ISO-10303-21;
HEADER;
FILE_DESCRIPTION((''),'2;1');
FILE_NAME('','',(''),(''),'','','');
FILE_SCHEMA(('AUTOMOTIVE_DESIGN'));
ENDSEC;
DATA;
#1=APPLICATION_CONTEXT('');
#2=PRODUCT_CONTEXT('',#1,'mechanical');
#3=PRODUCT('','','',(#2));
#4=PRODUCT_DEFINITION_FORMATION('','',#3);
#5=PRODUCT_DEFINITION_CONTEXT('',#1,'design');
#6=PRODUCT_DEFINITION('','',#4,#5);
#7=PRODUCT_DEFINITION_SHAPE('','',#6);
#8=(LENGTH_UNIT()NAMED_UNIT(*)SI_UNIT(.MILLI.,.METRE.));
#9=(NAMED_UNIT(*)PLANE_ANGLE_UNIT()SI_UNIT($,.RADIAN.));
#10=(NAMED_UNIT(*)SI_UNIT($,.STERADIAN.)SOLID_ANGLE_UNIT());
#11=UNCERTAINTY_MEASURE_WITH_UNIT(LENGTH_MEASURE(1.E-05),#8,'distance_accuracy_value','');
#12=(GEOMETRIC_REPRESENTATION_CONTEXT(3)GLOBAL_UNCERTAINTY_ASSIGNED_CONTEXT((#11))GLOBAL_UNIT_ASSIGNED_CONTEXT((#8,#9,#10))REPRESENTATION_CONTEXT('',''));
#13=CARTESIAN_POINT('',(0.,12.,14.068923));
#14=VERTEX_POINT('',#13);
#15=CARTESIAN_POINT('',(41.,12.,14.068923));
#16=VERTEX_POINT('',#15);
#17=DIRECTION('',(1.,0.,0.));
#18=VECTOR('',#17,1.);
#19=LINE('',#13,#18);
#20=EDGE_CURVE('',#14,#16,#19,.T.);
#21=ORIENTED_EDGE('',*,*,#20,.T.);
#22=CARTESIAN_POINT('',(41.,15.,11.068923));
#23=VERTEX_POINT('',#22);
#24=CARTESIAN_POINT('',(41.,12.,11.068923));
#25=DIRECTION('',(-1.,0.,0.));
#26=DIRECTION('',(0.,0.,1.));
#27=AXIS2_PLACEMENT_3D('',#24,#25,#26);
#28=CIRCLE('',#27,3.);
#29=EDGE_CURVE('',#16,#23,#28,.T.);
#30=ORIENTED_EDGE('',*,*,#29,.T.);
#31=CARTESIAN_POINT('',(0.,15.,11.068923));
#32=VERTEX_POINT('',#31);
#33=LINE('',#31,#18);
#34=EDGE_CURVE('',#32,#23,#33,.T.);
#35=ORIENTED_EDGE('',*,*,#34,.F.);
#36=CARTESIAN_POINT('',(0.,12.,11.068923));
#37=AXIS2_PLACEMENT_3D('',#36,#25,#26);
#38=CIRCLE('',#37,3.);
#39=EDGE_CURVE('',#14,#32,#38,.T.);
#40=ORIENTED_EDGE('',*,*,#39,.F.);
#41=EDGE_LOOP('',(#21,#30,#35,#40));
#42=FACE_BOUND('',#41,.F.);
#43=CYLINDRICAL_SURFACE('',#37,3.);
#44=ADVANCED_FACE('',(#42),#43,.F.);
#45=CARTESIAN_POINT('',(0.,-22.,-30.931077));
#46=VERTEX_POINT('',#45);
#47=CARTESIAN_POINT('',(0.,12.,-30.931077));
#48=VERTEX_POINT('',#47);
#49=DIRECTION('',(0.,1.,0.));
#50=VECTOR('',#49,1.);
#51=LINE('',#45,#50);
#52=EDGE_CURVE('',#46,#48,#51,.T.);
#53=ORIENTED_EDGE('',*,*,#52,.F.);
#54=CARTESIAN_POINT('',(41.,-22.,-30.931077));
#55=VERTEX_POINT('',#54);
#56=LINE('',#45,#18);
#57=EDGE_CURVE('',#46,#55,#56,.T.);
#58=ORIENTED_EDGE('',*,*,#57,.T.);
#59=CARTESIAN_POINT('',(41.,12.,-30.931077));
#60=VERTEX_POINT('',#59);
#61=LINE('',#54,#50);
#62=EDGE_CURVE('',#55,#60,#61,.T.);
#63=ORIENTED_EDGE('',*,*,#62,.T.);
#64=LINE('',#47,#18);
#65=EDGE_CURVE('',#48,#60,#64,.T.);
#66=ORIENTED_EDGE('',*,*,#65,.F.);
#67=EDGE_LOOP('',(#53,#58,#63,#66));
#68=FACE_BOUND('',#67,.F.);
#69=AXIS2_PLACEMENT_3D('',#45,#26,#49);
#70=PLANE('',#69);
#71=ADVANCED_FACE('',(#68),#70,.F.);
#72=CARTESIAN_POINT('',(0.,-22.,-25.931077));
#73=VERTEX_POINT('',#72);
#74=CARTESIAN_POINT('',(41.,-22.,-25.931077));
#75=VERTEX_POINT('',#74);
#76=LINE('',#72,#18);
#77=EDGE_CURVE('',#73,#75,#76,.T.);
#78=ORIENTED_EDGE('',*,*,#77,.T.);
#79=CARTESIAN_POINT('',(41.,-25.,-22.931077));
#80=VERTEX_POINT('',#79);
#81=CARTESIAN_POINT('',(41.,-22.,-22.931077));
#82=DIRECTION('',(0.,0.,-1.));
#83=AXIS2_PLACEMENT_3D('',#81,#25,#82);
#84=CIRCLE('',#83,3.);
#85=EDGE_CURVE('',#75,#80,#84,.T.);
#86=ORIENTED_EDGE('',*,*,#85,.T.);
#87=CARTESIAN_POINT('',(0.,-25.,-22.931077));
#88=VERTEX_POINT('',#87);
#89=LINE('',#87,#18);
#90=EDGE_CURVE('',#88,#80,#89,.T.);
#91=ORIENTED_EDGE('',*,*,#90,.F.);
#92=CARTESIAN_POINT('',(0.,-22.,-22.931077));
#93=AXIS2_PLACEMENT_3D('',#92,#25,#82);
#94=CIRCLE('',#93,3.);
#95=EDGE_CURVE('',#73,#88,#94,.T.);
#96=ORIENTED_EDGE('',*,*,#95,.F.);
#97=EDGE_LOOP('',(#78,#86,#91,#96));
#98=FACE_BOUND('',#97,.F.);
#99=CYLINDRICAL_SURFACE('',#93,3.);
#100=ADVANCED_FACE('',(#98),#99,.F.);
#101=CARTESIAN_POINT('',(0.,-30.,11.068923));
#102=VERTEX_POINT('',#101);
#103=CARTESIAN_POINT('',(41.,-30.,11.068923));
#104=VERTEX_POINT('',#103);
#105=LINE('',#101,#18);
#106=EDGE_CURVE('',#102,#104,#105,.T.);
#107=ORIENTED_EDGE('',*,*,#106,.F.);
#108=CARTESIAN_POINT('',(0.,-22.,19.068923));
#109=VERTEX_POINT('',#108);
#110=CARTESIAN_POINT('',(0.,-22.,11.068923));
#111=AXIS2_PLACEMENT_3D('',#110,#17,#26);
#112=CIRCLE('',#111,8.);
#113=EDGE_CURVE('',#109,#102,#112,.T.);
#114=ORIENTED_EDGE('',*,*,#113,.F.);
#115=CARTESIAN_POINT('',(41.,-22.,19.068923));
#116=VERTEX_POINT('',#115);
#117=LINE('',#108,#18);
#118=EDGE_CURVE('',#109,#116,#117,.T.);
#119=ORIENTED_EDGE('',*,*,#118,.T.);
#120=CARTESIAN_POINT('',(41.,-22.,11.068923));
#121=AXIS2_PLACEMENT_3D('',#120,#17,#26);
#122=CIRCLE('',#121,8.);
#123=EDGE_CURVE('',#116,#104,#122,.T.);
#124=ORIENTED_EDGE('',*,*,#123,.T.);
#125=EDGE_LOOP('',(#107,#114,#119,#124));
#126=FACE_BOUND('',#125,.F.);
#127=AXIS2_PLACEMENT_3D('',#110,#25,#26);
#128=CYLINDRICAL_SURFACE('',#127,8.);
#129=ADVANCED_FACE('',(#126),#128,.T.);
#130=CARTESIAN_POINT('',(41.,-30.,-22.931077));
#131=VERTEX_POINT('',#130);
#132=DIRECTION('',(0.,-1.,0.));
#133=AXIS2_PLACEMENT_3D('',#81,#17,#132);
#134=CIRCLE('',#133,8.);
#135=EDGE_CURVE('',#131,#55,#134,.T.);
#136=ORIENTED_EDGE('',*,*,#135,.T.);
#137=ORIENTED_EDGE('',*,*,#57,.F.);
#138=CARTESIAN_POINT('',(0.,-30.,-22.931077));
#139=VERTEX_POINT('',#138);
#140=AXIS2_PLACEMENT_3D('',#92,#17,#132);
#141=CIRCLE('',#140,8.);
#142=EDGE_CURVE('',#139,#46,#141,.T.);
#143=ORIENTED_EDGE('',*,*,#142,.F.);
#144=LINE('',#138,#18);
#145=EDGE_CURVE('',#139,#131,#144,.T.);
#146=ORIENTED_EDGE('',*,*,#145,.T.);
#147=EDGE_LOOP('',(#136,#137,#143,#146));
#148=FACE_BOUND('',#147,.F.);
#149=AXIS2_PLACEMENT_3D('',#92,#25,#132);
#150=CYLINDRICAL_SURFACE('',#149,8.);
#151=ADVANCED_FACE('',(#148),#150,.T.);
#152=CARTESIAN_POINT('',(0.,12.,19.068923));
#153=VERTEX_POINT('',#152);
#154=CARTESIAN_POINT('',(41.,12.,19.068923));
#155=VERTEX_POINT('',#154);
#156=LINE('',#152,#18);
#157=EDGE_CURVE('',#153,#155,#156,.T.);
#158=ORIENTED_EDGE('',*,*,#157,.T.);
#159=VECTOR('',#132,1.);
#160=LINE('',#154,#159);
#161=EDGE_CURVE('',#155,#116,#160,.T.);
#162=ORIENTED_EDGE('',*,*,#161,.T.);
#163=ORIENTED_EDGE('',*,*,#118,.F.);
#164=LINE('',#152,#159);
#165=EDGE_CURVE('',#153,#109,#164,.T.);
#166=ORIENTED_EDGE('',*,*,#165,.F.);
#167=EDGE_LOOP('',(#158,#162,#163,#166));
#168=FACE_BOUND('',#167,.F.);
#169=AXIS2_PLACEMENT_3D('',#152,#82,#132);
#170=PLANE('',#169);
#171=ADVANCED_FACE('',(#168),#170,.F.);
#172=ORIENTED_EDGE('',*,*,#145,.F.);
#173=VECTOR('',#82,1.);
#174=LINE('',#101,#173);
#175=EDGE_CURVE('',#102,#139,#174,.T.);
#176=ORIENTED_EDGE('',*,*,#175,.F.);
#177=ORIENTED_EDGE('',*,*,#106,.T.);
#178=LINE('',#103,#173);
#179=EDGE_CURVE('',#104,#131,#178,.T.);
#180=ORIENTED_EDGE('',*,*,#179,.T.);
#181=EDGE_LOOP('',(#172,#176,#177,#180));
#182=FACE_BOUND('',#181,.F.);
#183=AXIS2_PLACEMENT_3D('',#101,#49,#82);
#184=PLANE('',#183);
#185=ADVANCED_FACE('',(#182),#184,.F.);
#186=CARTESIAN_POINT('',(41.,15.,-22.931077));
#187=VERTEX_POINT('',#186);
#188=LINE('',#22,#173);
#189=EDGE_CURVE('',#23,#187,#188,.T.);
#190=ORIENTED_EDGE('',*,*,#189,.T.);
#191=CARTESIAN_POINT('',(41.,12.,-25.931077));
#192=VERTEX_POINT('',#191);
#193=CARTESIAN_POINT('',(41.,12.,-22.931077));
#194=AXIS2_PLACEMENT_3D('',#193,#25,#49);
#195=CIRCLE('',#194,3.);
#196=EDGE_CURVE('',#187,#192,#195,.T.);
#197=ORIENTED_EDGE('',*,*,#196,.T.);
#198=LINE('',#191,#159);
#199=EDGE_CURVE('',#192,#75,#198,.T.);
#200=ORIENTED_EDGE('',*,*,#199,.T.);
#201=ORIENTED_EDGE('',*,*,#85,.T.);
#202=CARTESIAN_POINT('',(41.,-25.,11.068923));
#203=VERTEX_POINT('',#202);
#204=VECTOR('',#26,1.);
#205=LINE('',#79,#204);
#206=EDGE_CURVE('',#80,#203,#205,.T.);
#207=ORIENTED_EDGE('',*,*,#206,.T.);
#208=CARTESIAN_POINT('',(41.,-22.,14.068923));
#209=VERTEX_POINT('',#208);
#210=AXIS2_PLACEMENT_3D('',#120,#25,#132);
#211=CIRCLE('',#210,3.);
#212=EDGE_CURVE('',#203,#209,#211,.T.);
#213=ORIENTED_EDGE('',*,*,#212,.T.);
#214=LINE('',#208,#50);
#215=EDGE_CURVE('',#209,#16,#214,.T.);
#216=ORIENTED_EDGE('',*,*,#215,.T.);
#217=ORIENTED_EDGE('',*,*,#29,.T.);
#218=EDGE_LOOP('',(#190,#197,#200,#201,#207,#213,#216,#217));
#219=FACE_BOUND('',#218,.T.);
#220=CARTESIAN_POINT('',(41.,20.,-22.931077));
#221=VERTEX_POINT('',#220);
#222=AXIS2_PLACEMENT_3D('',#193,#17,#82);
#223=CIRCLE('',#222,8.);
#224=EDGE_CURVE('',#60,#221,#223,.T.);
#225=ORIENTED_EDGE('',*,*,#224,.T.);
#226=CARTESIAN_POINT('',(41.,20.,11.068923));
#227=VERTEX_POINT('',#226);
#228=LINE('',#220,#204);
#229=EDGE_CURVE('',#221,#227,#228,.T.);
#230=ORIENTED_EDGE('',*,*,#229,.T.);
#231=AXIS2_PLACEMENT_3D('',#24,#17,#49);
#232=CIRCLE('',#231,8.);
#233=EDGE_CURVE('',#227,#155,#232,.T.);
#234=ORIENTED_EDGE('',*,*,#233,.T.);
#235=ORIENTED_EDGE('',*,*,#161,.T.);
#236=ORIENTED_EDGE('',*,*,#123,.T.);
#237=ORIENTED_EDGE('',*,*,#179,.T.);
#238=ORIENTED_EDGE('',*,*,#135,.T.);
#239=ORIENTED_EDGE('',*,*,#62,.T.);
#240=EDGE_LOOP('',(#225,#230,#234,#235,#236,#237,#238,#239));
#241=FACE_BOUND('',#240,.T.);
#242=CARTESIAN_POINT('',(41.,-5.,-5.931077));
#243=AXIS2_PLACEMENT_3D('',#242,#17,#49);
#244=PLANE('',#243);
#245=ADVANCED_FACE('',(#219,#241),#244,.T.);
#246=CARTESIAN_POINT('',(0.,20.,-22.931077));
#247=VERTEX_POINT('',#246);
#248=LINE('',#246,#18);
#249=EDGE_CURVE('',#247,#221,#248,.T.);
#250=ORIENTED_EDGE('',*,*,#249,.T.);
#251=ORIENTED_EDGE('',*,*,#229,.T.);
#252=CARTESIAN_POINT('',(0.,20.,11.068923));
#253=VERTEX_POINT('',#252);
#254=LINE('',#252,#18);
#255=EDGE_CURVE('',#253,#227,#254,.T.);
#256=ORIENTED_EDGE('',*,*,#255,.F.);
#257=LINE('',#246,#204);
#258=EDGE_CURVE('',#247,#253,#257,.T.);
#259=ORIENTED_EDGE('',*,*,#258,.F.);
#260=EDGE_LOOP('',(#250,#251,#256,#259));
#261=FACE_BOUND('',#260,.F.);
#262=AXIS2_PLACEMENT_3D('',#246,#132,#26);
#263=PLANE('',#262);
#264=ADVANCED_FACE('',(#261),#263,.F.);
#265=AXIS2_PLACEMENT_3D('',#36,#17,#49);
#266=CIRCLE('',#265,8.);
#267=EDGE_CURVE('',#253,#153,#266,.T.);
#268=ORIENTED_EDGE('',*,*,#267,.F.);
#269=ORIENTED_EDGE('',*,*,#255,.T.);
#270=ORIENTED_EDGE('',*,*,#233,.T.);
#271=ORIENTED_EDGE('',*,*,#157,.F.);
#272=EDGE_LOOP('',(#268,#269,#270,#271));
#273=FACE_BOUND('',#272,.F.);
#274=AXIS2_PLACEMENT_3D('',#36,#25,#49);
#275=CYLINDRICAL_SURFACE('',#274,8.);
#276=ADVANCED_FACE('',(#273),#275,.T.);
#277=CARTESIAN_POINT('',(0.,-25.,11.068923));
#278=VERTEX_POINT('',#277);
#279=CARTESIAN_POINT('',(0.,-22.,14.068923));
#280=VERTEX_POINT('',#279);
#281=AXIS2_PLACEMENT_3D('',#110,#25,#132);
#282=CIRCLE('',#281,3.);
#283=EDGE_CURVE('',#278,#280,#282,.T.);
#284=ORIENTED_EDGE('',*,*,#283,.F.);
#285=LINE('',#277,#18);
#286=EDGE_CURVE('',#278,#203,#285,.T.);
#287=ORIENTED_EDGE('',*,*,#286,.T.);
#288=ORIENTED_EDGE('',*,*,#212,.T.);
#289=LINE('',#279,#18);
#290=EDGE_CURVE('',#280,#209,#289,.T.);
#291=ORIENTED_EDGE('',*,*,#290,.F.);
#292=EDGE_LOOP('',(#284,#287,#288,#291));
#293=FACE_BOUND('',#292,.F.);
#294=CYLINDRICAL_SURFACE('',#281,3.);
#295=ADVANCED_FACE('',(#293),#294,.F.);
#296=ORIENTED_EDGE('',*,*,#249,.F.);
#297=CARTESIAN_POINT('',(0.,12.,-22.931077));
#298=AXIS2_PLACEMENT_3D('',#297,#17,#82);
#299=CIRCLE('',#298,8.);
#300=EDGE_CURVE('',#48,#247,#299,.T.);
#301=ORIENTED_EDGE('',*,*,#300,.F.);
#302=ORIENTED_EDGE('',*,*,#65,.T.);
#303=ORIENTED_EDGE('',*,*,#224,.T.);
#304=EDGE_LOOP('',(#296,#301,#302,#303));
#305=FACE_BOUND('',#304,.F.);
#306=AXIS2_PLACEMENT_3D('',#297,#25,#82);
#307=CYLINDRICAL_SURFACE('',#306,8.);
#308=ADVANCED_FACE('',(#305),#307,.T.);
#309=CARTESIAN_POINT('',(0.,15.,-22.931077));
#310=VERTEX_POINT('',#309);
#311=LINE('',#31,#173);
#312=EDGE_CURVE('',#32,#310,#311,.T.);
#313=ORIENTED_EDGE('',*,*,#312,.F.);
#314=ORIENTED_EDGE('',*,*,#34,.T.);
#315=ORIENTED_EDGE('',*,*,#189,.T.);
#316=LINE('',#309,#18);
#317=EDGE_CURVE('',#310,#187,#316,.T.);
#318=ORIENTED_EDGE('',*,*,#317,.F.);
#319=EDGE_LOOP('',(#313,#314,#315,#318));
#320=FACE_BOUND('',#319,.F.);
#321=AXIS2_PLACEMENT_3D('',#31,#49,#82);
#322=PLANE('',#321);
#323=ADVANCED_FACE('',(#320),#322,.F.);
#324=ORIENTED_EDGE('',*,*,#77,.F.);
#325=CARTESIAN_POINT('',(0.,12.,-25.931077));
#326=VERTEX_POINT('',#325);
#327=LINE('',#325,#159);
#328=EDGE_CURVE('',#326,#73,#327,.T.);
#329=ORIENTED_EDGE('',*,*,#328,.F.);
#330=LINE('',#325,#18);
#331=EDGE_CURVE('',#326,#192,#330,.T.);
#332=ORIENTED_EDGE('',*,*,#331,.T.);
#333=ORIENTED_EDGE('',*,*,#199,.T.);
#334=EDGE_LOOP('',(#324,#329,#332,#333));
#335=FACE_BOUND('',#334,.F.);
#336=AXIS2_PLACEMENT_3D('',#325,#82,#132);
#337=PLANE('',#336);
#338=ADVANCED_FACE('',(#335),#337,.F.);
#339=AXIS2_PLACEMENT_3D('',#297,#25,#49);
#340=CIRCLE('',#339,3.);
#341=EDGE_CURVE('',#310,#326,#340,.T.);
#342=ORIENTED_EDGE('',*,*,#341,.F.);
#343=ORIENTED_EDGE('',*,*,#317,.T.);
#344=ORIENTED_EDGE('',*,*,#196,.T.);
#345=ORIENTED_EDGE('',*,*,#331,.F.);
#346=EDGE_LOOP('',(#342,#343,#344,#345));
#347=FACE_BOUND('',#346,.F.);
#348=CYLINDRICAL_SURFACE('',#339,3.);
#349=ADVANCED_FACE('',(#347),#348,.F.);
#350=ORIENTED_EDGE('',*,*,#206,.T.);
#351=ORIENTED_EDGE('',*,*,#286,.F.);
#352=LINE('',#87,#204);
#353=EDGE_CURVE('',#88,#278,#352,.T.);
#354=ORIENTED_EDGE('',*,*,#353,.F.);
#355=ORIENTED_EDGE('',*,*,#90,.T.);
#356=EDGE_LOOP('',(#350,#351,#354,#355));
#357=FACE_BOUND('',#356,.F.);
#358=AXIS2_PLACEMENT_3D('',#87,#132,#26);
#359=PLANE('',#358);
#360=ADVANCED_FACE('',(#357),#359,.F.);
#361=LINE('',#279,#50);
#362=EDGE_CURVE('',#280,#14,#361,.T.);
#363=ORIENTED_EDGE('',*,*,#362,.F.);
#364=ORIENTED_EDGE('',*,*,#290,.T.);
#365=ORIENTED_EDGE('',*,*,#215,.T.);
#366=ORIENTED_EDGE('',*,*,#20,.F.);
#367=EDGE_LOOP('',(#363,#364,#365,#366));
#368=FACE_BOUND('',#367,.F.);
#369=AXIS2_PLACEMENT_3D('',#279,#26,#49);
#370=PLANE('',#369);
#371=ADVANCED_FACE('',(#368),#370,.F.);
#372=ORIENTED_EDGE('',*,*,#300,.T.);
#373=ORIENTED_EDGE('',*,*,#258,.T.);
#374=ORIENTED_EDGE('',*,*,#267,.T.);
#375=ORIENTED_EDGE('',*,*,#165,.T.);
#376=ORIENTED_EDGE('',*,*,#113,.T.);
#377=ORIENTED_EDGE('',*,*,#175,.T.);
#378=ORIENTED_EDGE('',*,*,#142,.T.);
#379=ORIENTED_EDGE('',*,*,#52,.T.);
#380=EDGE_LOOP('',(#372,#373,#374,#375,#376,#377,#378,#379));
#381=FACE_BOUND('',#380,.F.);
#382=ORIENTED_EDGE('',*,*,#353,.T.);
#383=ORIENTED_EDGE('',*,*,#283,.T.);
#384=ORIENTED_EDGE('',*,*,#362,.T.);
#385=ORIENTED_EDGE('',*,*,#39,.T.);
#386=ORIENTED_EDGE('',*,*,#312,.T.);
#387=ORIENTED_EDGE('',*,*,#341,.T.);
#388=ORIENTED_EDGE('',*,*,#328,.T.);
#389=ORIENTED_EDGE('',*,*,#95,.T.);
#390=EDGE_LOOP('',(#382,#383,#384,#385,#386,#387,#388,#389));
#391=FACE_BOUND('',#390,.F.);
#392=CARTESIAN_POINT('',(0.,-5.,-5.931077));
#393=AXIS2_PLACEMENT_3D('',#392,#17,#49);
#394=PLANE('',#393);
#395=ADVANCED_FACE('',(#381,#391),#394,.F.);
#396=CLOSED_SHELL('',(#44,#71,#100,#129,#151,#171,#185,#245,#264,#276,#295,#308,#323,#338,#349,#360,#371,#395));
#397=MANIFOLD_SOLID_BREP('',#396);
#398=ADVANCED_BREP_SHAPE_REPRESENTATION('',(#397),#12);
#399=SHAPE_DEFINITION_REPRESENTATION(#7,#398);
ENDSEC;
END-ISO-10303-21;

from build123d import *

# Parameters (mm, degrees)
F1_DEPTH = 41


with BuildPart() as f1:
    # F0 (on Right) → F1 (new body)
    with BuildSketch(Plane.YZ):
        with BuildLine():
            Line((20, -22.931077078), (20, 11.068922922))
            ThreePointArc((20, 11.068922922), (17.6568542495, 16.7257771715), (12, 19.068922922))
            Line((12, 19.068922922), (-22, 19.068922922))
            ThreePointArc((-22, 19.068922922), (-27.6568542495, 16.7257771715), (-30, 11.068922922))
            Line((-30, 11.068922922), (-30, -22.931077078))
            ThreePointArc((-30, -22.931077078), (-27.6568542495, -28.5879313275), (-22, -30.931077078))
            Line((-22, -30.931077078), (12, -30.931077078))
            ThreePointArc((12, -30.931077078), (17.6568542495, -28.5879313275), (20, -22.931077078))
        make_face()
        with BuildLine():
            Line((-25, -22.931077078), (-25, 11.068922922))
            ThreePointArc((-25, 11.068922922), (-24.1213203436, 13.1902432656), (-22, 14.068922922))
            Line((-22, 14.068922922), (12, 14.068922922))
            ThreePointArc((12, 14.068922922), (14.1213203436, 13.1902432656), (15, 11.068922922))
            Line((15, 11.068922922), (15, -22.931077078))
            ThreePointArc((15, -22.931077078), (14.1213203436, -25.0523974215), (12, -25.931077078))
            Line((12, -25.931077078), (-22, -25.931077078))
            ThreePointArc((-22, -25.931077078), (-24.1213203436, -25.0523974215), (-25, -22.931077078))
        make_face(mode=Mode.SUBTRACT)
    extrude(amount=F1_DEPTH)


solid = f1.part
